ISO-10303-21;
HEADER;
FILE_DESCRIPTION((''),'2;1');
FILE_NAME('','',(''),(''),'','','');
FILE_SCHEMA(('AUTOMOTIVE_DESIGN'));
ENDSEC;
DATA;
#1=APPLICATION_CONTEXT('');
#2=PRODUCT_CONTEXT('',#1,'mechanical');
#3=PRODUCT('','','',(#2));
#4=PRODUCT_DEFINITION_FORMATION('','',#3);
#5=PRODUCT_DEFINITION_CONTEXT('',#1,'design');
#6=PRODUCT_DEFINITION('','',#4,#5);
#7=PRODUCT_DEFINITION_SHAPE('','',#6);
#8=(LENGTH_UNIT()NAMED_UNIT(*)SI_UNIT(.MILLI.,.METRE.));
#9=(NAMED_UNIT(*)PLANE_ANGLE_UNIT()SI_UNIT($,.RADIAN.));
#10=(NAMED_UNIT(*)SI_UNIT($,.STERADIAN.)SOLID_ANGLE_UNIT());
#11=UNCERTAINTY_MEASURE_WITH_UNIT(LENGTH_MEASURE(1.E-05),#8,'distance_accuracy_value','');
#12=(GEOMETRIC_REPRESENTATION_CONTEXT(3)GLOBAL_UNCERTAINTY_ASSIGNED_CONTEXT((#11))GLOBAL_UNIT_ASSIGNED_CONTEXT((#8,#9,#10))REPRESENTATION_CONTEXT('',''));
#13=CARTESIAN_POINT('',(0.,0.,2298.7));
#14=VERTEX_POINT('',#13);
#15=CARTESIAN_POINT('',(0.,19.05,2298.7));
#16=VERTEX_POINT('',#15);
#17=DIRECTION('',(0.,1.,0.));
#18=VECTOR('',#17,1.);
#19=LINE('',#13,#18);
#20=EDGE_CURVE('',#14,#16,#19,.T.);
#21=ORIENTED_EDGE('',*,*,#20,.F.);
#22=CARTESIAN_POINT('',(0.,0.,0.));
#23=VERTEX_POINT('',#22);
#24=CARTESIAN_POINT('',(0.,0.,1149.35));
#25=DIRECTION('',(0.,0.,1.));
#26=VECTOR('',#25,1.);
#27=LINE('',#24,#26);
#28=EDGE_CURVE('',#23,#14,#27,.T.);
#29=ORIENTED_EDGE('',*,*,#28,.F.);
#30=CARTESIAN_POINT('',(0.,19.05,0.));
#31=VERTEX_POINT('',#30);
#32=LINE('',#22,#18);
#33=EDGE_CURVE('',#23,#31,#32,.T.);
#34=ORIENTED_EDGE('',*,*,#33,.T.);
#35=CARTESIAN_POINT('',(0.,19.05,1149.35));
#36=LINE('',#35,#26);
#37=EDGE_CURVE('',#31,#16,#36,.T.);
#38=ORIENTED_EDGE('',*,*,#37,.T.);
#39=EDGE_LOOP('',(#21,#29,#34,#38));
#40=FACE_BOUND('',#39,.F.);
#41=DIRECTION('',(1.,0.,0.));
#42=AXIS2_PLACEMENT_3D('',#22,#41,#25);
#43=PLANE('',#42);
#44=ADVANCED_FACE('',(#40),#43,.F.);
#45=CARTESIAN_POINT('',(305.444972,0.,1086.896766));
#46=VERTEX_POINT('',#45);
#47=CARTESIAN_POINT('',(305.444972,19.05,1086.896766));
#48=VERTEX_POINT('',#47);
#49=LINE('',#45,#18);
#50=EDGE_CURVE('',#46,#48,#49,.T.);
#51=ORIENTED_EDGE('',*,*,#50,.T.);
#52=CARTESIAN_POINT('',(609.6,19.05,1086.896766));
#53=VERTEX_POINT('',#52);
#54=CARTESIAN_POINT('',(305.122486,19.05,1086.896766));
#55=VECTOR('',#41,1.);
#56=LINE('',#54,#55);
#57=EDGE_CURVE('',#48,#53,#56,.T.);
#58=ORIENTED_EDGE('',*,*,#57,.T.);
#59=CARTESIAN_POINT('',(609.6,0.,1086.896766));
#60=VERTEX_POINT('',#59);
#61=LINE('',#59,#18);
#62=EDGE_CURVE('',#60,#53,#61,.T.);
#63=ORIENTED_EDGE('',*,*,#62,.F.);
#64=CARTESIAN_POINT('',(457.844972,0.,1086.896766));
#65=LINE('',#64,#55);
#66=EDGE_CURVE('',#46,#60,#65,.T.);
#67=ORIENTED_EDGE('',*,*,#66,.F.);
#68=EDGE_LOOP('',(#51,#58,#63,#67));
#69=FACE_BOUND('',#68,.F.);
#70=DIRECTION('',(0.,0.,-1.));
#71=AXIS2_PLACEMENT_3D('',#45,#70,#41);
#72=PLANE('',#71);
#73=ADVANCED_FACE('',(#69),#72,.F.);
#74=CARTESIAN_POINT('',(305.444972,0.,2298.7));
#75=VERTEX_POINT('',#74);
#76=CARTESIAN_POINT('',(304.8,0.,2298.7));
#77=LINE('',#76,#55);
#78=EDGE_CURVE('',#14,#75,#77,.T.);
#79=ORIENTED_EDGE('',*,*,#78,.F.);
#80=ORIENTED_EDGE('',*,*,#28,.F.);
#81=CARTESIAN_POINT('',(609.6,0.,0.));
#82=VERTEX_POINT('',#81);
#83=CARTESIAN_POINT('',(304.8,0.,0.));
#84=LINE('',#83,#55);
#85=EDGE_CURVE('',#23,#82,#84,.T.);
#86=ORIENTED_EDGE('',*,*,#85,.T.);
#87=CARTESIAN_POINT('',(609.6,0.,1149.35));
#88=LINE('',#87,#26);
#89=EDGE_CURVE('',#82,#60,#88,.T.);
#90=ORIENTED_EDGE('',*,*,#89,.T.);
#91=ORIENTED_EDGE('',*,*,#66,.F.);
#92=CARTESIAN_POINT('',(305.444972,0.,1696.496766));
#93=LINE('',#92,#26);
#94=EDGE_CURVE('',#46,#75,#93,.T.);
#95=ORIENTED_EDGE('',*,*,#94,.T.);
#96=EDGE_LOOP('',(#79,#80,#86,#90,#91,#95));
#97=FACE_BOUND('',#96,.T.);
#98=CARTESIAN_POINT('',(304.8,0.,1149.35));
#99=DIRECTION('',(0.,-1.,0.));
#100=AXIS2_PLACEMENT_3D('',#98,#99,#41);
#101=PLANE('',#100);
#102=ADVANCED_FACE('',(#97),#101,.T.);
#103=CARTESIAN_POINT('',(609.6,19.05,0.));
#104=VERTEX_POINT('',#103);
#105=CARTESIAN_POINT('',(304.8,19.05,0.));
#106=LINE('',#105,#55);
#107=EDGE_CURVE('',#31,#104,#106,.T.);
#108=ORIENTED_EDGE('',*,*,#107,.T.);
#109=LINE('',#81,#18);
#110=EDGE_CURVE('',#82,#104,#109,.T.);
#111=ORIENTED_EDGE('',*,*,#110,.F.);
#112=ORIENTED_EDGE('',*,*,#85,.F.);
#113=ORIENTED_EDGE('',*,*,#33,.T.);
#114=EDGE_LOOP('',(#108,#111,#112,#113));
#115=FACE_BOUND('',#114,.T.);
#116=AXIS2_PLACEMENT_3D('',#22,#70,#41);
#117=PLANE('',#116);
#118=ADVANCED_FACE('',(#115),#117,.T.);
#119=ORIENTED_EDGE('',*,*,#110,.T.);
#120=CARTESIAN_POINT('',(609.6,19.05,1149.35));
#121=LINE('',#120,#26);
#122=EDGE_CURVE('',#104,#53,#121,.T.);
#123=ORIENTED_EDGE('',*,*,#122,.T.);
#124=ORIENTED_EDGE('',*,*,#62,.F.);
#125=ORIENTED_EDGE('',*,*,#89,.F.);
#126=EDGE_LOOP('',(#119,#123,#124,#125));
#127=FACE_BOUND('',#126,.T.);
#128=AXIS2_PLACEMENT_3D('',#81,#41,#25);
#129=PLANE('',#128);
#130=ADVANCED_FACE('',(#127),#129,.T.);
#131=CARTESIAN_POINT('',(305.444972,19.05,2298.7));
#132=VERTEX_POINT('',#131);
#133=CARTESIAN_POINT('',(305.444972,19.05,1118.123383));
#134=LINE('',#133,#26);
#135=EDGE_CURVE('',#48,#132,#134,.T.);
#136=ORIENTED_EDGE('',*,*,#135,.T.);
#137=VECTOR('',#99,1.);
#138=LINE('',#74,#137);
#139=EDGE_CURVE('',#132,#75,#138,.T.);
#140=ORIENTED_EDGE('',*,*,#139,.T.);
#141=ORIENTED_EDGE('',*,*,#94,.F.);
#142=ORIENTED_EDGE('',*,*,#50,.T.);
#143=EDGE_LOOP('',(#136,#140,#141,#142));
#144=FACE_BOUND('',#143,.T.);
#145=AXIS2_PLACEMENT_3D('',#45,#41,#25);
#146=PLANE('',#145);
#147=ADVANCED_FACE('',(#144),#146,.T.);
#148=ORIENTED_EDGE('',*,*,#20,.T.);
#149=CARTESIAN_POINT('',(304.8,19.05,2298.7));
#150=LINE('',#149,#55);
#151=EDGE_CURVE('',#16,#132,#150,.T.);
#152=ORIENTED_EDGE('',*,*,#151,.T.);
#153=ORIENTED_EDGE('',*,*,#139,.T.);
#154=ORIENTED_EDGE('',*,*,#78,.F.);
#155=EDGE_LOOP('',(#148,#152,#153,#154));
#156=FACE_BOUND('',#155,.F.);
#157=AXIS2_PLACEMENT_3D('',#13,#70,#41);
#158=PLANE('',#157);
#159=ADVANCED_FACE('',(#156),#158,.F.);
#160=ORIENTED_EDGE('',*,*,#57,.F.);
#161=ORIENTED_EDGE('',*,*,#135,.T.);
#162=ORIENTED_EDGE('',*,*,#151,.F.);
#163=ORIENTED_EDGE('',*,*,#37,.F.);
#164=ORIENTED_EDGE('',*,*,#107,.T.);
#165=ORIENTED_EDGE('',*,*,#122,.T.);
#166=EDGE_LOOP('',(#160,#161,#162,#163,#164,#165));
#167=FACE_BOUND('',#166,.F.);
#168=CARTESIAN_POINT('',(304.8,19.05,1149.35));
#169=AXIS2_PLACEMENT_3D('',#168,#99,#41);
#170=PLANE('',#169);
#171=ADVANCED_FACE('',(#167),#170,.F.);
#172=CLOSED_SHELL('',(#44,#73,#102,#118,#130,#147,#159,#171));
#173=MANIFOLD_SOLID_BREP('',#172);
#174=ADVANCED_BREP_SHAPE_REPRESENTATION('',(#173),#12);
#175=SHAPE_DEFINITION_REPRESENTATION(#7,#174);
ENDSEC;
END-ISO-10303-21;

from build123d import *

# Parameters (mm, degrees)
F0_W     = 609.6
F0_H     = 2298.7
F1_DEPTH = 19.05
F2_W     = 304.8
F2_H     = 1219.2
F3_DEPTH = 19.051


with BuildPart() as f1:
    # F0 (on Front) → F1 (new body)
    with BuildSketch(Plane.XZ):
        with Locations((304.8, 1149.35)):
            Rectangle(F0_W, F0_H)
    extrude(amount=-F1_DEPTH)

    # F2 (on Front) → F3 (cut, through all)
    with BuildSketch(Plane.XZ):
        with Locations((457.844972, 1696.496766)):
            Rectangle(F2_W, F2_H)
    extrude(amount=-F3_DEPTH, mode=Mode.SUBTRACT)


solid = f1.part
